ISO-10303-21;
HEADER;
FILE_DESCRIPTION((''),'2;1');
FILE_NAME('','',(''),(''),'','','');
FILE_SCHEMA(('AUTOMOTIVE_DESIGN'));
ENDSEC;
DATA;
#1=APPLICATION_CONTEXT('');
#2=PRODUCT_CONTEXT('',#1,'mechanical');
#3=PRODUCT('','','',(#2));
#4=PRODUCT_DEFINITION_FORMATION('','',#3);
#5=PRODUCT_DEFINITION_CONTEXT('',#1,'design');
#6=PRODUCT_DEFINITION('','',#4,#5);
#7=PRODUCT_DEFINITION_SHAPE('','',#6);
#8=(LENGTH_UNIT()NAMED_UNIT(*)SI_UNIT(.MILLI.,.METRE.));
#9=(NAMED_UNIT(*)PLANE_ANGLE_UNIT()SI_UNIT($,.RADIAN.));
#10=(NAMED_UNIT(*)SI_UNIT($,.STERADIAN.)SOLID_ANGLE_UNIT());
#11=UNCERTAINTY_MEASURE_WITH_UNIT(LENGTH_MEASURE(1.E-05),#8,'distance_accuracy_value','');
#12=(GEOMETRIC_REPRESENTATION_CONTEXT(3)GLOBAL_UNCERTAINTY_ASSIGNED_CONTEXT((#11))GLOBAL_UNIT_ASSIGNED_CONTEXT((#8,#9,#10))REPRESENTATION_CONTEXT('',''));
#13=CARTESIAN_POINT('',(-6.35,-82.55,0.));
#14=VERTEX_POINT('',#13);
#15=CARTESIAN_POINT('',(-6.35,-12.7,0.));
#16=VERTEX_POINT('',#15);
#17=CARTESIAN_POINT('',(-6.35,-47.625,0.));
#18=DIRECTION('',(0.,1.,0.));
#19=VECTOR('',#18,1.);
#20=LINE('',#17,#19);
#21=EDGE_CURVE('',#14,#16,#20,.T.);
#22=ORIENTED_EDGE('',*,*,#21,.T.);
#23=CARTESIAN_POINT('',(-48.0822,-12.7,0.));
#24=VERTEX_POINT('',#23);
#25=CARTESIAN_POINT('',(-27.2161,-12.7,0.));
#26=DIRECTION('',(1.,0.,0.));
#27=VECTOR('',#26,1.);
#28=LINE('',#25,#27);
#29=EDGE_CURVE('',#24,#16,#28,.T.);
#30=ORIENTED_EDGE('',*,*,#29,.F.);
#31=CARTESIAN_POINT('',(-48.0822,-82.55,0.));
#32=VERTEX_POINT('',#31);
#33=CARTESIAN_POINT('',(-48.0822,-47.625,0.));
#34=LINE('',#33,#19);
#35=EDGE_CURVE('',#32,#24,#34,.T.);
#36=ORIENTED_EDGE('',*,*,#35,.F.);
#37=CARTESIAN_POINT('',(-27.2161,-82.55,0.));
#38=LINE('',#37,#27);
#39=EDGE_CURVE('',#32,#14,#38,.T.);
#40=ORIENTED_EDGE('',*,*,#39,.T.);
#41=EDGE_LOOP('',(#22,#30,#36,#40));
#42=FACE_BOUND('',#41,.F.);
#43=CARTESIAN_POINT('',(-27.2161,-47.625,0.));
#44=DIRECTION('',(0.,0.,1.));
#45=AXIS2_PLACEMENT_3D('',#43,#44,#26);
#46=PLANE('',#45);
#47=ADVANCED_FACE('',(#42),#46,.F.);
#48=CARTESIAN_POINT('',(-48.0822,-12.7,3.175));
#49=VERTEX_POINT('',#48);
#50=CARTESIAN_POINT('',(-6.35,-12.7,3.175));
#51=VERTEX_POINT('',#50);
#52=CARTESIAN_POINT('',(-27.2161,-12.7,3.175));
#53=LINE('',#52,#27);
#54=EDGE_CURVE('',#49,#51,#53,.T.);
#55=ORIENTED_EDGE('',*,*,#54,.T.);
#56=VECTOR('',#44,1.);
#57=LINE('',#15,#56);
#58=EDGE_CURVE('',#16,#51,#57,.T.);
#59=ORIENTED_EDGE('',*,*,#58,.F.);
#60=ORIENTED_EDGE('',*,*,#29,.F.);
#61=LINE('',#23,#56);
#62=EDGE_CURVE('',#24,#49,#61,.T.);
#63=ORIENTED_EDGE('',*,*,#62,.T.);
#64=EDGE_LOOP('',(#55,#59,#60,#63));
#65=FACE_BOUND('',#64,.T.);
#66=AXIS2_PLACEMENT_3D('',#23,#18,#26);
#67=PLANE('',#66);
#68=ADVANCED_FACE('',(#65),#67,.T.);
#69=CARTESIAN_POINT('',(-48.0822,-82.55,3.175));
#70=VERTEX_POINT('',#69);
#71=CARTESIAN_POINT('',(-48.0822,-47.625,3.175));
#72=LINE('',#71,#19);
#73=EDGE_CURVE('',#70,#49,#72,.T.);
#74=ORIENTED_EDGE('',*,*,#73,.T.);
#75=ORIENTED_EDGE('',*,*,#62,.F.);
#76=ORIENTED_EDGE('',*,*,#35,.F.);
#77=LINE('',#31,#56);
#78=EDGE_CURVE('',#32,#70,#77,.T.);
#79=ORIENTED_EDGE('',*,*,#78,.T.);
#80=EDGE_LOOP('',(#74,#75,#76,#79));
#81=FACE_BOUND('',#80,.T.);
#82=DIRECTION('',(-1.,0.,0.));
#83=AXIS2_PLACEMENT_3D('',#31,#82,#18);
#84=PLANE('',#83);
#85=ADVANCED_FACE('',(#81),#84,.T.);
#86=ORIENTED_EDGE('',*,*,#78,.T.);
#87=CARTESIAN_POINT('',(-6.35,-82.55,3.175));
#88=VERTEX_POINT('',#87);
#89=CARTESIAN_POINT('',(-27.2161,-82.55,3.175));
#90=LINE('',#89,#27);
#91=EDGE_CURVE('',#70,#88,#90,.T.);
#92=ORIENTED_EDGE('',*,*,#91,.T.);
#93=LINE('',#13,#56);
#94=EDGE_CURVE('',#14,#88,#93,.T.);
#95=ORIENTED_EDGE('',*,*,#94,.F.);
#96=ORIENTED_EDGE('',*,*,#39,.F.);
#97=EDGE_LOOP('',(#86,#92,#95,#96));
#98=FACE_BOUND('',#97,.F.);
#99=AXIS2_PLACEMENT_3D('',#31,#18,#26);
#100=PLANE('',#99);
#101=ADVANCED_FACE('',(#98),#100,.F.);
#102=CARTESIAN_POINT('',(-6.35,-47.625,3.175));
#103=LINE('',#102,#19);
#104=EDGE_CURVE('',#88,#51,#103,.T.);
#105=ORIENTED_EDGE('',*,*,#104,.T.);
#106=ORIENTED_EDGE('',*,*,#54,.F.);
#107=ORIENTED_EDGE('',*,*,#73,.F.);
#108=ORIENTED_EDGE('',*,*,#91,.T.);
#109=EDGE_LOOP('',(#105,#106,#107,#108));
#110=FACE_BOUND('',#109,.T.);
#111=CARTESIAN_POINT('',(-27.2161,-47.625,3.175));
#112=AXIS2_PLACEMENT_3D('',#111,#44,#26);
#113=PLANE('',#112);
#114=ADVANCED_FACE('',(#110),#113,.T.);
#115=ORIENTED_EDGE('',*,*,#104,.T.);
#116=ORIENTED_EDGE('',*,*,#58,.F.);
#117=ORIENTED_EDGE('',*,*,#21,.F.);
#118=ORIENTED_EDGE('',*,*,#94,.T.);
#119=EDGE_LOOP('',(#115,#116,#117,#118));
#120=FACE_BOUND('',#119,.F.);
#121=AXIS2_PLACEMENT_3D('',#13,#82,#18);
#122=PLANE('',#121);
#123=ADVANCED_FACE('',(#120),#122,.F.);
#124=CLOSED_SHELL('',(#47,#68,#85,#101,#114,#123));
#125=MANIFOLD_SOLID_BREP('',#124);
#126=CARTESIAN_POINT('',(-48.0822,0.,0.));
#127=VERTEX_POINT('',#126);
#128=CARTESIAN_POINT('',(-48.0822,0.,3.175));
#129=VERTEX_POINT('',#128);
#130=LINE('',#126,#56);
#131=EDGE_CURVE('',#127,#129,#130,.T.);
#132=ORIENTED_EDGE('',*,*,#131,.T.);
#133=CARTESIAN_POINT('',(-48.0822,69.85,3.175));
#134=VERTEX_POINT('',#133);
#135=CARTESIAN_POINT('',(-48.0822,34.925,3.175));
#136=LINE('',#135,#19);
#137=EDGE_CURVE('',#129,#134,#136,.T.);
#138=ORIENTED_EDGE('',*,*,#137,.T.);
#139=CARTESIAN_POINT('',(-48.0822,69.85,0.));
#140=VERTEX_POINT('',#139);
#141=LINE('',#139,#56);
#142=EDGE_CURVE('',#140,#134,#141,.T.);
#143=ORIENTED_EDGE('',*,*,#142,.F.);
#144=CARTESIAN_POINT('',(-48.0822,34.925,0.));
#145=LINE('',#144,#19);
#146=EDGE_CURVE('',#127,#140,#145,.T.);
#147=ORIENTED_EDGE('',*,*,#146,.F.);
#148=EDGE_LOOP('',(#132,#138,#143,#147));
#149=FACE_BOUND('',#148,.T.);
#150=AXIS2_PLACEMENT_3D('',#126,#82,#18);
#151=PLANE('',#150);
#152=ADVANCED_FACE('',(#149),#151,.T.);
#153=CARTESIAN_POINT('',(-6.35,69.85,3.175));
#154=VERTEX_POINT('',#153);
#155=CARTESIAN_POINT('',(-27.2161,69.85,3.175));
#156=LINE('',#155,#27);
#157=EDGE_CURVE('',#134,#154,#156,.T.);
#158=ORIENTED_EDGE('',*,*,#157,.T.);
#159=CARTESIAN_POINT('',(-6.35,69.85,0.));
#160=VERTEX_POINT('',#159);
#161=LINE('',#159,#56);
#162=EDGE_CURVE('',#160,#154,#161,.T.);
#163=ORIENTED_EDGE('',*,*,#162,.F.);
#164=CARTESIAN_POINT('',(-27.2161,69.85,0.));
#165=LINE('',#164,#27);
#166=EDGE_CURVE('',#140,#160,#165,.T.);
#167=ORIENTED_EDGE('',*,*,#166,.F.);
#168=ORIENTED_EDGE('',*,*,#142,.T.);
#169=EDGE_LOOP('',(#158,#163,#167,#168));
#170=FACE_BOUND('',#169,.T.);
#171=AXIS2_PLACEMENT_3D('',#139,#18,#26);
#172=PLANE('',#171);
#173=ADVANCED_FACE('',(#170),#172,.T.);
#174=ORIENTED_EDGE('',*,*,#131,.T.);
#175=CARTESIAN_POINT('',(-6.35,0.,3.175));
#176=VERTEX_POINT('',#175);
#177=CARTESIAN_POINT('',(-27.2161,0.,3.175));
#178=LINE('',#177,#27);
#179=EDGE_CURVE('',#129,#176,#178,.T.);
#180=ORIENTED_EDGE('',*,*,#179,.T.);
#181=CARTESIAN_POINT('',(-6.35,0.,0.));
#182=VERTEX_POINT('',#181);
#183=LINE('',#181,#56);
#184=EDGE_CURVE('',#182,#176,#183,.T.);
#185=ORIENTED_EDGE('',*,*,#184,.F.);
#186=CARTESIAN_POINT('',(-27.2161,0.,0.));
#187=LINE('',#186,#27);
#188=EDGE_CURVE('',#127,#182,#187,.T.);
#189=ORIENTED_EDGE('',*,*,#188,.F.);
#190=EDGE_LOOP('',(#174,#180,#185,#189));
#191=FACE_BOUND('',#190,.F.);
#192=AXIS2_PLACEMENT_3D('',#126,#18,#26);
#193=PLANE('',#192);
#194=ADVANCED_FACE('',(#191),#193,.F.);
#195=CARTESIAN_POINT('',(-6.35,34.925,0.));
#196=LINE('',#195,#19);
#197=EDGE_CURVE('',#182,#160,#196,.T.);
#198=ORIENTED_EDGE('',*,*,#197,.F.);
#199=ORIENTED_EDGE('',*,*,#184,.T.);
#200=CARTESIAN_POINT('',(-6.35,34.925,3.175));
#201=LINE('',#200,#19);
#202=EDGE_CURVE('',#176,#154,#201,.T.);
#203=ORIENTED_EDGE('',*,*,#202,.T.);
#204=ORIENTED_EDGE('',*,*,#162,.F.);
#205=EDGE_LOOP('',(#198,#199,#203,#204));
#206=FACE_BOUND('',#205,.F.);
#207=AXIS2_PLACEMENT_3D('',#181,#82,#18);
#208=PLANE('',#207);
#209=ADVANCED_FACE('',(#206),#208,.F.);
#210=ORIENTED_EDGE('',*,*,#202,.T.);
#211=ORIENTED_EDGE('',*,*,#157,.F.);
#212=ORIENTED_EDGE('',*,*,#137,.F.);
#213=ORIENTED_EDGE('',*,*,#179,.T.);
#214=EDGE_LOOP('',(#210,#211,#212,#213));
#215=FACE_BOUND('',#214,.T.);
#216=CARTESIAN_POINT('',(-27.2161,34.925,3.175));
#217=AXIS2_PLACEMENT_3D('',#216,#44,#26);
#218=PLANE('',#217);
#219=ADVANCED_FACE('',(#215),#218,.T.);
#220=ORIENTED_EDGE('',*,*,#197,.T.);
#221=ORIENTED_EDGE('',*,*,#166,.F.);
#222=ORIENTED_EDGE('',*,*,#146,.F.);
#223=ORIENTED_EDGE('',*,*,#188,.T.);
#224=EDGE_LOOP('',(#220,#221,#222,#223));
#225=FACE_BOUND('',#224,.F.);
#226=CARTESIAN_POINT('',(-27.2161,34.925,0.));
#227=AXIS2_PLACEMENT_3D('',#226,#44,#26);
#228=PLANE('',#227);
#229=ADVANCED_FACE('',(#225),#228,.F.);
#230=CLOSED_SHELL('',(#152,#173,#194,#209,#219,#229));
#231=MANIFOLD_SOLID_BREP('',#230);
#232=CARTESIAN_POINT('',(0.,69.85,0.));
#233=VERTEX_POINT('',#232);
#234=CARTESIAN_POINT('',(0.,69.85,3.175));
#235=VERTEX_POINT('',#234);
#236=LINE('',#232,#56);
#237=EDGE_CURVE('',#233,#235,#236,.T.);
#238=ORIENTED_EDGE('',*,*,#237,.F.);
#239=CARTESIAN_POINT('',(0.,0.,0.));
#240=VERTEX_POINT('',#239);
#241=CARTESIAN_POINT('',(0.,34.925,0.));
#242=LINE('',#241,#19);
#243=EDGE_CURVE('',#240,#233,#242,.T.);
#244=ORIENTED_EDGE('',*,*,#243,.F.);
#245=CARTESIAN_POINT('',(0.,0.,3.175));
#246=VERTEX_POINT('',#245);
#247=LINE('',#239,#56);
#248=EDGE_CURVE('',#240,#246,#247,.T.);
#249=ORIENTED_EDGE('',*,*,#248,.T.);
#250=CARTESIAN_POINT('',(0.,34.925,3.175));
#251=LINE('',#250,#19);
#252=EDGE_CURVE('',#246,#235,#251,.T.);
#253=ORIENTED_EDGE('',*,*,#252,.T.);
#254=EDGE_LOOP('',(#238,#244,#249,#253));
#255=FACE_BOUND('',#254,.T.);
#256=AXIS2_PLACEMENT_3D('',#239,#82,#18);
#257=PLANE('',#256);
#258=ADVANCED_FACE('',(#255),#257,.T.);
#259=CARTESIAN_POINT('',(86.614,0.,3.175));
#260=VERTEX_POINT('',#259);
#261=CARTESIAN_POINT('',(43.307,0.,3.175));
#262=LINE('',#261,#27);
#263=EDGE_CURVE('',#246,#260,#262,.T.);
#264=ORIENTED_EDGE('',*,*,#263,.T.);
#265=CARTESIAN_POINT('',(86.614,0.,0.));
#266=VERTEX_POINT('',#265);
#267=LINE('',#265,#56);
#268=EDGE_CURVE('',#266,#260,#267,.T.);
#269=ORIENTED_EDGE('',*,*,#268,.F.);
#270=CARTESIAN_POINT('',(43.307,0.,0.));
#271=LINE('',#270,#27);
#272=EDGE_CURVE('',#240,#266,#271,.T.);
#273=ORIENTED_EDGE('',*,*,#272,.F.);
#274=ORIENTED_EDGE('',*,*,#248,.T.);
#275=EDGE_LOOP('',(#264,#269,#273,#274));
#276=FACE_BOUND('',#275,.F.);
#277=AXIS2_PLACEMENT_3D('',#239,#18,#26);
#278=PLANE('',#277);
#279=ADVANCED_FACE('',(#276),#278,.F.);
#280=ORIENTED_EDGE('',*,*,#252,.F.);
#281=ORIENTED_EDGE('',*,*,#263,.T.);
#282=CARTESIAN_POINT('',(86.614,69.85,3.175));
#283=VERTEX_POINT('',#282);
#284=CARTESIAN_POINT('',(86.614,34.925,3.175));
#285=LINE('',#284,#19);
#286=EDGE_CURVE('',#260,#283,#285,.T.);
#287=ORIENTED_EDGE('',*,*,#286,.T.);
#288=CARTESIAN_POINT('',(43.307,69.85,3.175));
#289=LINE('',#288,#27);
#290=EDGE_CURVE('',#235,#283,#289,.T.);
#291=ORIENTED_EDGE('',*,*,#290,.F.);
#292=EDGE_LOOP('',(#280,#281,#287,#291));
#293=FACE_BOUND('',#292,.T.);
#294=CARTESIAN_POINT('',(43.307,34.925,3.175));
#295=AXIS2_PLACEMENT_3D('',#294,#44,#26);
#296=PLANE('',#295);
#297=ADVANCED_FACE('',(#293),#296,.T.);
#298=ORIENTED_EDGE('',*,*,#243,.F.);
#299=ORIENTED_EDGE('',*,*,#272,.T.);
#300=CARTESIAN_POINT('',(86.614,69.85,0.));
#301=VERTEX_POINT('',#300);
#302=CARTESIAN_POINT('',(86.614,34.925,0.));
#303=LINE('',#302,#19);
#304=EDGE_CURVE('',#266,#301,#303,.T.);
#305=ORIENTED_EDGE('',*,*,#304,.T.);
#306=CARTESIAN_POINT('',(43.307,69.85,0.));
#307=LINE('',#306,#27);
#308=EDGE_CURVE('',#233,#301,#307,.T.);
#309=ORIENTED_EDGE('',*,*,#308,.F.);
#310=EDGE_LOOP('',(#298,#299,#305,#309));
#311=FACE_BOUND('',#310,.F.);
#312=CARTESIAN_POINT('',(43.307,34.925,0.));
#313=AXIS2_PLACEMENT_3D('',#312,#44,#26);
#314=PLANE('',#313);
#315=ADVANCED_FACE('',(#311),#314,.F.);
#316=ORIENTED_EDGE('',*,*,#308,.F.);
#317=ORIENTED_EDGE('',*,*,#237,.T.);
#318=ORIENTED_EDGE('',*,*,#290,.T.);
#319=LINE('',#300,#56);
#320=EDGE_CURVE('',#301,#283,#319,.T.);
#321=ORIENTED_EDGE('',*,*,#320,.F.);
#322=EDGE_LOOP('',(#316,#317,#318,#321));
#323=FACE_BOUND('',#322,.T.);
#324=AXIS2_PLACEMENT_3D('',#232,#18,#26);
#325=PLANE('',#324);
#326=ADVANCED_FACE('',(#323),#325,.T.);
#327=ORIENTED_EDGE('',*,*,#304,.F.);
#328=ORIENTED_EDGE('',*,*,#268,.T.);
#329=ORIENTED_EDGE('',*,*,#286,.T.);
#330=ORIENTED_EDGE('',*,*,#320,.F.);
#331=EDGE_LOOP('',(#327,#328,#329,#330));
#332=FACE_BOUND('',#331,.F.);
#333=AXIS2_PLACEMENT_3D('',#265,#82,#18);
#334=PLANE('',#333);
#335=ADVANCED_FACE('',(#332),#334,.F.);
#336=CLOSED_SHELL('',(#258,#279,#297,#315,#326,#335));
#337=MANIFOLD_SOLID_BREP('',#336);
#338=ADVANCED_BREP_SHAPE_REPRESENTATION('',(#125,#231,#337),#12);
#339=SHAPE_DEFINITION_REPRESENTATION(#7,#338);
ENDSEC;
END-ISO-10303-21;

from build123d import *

# Parameters (mm, degrees)
F0_W     = 86.614
F0_H     = 69.85
F0_W_2   = 41.7322
F1_DEPTH = 3.175


with BuildPart() as f1:
    # F0 (on Top) → F1 (new body)
    with BuildSketch(Plane.XY):
        with Locations((43.307, 34.925)):
            Rectangle(F0_W, F0_H)
        with Locations((-27.2161, 34.925)):
            Rectangle(F0_W_2, F0_H)
        with Locations((-27.2161, -47.625)):
            Rectangle(F0_W_2, F0_H)
    extrude(amount=F1_DEPTH)


solid = f1.part
